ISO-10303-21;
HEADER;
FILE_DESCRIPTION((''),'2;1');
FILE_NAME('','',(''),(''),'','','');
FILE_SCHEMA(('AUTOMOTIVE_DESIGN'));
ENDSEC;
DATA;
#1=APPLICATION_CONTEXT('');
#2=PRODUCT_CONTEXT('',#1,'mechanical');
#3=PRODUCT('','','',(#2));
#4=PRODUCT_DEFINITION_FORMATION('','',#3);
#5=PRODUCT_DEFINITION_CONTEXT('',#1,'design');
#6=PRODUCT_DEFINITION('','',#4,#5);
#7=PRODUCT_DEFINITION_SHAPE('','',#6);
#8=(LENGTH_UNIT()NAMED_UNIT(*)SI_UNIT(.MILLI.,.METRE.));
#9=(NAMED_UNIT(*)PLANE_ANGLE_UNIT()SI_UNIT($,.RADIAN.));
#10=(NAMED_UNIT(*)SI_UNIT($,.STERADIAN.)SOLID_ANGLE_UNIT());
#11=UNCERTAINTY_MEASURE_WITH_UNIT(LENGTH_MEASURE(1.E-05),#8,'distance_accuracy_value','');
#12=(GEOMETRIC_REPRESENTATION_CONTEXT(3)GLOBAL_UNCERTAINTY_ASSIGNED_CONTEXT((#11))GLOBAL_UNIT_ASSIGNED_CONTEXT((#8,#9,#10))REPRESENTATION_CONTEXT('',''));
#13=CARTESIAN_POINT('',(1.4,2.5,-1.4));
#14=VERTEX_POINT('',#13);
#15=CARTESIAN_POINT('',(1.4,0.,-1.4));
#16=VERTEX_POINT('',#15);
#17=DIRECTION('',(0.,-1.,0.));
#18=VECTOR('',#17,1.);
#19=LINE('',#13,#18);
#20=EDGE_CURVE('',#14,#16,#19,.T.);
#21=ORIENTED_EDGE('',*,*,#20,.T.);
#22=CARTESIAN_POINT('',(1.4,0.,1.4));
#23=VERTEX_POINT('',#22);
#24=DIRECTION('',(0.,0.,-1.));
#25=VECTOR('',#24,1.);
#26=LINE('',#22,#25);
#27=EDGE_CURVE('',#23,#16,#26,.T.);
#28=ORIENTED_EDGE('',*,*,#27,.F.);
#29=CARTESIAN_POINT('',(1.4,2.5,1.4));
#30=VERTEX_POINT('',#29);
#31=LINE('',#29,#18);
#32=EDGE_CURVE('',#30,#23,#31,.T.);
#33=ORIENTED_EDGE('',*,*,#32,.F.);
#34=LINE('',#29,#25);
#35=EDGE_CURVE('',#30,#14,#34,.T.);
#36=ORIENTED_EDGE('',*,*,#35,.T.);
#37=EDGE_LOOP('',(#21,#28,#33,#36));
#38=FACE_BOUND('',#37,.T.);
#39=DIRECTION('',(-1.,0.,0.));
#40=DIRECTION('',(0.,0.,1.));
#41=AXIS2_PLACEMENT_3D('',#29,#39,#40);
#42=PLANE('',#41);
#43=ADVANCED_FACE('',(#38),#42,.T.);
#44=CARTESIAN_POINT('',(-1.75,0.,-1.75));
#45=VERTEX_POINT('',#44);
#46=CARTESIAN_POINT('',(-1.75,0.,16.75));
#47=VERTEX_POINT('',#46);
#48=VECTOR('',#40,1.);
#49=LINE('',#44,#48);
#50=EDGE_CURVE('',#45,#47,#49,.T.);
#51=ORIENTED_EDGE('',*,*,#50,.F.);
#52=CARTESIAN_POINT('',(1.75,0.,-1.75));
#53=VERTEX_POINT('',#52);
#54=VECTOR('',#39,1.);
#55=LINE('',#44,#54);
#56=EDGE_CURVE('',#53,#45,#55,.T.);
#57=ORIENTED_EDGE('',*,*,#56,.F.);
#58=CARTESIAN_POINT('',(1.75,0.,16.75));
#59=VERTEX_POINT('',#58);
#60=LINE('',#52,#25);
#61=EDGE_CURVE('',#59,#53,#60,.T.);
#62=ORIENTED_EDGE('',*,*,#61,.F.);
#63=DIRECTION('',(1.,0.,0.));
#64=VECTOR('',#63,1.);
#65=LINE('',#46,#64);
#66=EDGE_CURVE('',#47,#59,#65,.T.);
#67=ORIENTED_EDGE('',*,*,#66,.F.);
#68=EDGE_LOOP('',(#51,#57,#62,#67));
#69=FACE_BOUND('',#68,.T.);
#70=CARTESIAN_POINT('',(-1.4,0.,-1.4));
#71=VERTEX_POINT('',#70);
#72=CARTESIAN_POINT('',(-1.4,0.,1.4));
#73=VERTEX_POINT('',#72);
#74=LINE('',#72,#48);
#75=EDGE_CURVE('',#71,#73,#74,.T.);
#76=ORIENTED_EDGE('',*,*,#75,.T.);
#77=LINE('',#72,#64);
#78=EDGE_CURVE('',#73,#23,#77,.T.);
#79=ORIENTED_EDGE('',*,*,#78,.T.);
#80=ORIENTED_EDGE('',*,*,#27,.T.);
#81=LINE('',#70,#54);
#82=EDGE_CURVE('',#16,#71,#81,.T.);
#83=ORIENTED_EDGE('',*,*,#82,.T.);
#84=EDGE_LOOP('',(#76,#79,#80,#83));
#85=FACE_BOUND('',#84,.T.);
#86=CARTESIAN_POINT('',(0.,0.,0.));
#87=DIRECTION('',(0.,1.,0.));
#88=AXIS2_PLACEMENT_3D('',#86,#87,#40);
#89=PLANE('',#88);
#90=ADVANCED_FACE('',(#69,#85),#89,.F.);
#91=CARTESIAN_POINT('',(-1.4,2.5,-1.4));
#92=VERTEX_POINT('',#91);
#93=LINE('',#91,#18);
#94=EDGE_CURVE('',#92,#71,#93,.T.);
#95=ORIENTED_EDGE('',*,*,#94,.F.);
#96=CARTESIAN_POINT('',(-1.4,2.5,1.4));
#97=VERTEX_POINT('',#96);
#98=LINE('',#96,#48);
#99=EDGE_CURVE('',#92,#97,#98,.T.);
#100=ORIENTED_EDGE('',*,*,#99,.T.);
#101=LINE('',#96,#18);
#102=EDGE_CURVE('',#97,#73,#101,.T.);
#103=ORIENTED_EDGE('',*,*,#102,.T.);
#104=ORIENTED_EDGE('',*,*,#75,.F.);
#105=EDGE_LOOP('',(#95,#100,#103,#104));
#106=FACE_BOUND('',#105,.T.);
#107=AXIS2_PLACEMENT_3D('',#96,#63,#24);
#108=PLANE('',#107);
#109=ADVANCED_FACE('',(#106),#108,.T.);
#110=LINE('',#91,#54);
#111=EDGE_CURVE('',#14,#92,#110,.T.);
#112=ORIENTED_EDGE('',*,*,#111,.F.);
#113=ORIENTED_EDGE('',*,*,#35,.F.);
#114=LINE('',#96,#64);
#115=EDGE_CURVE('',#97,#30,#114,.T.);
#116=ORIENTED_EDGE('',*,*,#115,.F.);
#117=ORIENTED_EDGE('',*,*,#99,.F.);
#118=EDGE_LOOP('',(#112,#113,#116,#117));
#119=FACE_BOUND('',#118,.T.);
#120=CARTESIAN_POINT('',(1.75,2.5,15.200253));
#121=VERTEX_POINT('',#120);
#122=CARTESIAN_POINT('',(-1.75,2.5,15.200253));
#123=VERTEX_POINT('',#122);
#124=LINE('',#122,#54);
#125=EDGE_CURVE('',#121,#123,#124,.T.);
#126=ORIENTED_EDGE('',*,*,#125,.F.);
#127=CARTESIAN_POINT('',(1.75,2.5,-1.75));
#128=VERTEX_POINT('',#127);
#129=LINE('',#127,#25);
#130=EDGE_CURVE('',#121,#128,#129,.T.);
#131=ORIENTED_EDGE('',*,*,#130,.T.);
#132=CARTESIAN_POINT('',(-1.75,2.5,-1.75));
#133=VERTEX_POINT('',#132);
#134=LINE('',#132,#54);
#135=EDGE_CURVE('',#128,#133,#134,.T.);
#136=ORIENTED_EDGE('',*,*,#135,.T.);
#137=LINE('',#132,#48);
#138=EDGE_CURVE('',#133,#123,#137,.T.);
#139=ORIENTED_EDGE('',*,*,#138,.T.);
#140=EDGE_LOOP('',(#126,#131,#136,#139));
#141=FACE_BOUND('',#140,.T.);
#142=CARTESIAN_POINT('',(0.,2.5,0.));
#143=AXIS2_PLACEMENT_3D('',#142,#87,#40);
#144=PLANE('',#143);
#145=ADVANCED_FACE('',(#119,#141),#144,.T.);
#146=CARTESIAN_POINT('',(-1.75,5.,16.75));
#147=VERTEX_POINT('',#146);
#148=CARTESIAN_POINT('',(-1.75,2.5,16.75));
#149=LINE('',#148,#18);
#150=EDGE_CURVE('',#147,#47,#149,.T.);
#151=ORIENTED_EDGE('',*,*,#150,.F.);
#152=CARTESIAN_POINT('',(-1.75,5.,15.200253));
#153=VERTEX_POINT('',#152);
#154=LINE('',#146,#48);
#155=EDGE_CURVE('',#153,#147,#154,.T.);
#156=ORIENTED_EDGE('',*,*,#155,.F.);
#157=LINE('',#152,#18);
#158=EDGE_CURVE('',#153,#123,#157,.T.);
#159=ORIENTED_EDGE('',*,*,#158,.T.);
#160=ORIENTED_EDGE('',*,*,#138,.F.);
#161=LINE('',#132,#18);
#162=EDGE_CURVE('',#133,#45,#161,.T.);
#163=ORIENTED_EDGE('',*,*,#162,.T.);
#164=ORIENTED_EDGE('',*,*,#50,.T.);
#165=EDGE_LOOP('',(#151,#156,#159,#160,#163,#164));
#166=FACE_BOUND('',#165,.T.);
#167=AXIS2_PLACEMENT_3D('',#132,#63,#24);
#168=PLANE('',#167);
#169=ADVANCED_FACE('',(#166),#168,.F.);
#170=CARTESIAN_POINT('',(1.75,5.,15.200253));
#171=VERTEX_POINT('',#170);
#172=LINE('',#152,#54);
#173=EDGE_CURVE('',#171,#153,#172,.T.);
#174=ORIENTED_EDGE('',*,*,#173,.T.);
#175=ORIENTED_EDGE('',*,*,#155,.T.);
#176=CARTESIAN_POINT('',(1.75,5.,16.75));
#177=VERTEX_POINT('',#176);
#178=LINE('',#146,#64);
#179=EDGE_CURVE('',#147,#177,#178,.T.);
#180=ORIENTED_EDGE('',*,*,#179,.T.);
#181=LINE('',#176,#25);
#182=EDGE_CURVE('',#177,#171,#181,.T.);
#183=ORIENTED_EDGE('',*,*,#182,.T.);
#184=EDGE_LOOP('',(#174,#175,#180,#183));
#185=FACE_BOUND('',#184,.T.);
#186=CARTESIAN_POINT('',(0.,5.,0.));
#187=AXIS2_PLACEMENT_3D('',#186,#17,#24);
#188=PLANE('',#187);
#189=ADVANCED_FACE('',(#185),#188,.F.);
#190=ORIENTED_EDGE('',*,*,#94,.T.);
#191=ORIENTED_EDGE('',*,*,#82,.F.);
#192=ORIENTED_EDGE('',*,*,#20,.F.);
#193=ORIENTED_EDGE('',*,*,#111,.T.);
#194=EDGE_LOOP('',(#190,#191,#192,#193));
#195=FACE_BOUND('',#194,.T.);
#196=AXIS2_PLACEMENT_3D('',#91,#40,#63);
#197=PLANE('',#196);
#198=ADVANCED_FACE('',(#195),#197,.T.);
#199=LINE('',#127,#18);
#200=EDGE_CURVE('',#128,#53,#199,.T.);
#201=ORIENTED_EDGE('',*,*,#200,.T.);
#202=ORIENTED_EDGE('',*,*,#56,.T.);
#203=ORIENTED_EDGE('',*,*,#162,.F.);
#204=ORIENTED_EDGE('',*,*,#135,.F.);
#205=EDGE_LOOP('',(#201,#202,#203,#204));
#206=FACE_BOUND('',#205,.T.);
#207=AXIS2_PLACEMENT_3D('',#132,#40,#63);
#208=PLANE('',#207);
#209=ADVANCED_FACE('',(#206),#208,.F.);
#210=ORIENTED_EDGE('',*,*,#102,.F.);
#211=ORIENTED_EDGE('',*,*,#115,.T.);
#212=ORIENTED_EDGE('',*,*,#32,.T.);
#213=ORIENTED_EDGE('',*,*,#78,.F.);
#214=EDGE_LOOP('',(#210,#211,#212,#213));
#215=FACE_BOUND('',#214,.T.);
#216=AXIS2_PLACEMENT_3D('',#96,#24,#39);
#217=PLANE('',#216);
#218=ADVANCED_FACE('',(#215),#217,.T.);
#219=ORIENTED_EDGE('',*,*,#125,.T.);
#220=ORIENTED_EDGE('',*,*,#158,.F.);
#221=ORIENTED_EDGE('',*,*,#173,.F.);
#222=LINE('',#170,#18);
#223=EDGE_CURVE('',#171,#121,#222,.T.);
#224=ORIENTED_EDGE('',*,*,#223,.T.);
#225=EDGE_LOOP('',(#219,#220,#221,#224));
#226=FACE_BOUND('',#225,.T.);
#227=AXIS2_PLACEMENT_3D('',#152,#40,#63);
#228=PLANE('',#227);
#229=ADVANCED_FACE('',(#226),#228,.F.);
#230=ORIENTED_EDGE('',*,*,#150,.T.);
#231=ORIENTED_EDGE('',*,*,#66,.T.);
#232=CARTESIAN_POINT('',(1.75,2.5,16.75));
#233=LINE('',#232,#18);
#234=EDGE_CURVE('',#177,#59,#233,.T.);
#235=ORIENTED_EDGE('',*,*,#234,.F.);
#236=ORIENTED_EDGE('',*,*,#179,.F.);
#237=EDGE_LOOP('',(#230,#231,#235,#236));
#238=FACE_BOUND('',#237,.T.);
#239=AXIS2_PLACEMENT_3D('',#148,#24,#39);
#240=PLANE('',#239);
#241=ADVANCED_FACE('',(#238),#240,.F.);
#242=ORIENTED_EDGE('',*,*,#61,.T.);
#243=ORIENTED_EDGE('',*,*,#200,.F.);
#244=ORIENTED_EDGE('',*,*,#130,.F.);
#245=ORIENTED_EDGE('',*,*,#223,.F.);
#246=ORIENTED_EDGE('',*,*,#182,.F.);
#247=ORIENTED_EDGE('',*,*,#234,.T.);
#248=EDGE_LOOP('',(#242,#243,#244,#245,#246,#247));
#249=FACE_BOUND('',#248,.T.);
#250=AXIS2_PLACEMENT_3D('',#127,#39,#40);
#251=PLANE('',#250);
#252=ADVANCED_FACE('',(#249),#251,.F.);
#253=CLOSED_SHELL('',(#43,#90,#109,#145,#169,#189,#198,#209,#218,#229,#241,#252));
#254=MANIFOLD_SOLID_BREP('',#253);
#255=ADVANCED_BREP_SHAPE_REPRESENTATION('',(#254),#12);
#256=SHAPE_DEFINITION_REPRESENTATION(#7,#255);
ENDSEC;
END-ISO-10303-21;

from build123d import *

# Parameters (mm, degrees)
SKETCH1_W           = 3.5
SKETCH1_H           = 18.5
SKETCH1_W_2         = 2.8
SKETCH1_H_2         = 2.8
BOSS_EXTRUDE1_DEPTH = 2.5
SKETCH4_W           = 3.5
SKETCH4_H           = 1.549747226
BOSS_EXTRUDE2_DEPTH = 2.5


with BuildPart() as part:
    # Sketch1 → Boss-Extrude1 (new body)
    with BuildSketch(Plane(origin=(0, 0, 0), x_dir=(1, 0, 0), z_dir=(0, 1, 0))):
        with Locations((0, -7.5)):
            Rectangle(SKETCH1_W, SKETCH1_H)
        Rectangle(SKETCH1_W_2, SKETCH1_H_2, mode=Mode.SUBTRACT)
    extrude(amount=BOSS_EXTRUDE1_DEPTH)

    # Sketch4 → Boss-Extrude2 (add)
    with BuildSketch(Plane(origin=(0, 2.5, 0), x_dir=(1, 0, 0), z_dir=(0, 1, 0))):
        with Locations((0, -15.975126387)):
            Rectangle(SKETCH4_W, SKETCH4_H)
    extrude(amount=BOSS_EXTRUDE2_DEPTH)


solid = part.part
